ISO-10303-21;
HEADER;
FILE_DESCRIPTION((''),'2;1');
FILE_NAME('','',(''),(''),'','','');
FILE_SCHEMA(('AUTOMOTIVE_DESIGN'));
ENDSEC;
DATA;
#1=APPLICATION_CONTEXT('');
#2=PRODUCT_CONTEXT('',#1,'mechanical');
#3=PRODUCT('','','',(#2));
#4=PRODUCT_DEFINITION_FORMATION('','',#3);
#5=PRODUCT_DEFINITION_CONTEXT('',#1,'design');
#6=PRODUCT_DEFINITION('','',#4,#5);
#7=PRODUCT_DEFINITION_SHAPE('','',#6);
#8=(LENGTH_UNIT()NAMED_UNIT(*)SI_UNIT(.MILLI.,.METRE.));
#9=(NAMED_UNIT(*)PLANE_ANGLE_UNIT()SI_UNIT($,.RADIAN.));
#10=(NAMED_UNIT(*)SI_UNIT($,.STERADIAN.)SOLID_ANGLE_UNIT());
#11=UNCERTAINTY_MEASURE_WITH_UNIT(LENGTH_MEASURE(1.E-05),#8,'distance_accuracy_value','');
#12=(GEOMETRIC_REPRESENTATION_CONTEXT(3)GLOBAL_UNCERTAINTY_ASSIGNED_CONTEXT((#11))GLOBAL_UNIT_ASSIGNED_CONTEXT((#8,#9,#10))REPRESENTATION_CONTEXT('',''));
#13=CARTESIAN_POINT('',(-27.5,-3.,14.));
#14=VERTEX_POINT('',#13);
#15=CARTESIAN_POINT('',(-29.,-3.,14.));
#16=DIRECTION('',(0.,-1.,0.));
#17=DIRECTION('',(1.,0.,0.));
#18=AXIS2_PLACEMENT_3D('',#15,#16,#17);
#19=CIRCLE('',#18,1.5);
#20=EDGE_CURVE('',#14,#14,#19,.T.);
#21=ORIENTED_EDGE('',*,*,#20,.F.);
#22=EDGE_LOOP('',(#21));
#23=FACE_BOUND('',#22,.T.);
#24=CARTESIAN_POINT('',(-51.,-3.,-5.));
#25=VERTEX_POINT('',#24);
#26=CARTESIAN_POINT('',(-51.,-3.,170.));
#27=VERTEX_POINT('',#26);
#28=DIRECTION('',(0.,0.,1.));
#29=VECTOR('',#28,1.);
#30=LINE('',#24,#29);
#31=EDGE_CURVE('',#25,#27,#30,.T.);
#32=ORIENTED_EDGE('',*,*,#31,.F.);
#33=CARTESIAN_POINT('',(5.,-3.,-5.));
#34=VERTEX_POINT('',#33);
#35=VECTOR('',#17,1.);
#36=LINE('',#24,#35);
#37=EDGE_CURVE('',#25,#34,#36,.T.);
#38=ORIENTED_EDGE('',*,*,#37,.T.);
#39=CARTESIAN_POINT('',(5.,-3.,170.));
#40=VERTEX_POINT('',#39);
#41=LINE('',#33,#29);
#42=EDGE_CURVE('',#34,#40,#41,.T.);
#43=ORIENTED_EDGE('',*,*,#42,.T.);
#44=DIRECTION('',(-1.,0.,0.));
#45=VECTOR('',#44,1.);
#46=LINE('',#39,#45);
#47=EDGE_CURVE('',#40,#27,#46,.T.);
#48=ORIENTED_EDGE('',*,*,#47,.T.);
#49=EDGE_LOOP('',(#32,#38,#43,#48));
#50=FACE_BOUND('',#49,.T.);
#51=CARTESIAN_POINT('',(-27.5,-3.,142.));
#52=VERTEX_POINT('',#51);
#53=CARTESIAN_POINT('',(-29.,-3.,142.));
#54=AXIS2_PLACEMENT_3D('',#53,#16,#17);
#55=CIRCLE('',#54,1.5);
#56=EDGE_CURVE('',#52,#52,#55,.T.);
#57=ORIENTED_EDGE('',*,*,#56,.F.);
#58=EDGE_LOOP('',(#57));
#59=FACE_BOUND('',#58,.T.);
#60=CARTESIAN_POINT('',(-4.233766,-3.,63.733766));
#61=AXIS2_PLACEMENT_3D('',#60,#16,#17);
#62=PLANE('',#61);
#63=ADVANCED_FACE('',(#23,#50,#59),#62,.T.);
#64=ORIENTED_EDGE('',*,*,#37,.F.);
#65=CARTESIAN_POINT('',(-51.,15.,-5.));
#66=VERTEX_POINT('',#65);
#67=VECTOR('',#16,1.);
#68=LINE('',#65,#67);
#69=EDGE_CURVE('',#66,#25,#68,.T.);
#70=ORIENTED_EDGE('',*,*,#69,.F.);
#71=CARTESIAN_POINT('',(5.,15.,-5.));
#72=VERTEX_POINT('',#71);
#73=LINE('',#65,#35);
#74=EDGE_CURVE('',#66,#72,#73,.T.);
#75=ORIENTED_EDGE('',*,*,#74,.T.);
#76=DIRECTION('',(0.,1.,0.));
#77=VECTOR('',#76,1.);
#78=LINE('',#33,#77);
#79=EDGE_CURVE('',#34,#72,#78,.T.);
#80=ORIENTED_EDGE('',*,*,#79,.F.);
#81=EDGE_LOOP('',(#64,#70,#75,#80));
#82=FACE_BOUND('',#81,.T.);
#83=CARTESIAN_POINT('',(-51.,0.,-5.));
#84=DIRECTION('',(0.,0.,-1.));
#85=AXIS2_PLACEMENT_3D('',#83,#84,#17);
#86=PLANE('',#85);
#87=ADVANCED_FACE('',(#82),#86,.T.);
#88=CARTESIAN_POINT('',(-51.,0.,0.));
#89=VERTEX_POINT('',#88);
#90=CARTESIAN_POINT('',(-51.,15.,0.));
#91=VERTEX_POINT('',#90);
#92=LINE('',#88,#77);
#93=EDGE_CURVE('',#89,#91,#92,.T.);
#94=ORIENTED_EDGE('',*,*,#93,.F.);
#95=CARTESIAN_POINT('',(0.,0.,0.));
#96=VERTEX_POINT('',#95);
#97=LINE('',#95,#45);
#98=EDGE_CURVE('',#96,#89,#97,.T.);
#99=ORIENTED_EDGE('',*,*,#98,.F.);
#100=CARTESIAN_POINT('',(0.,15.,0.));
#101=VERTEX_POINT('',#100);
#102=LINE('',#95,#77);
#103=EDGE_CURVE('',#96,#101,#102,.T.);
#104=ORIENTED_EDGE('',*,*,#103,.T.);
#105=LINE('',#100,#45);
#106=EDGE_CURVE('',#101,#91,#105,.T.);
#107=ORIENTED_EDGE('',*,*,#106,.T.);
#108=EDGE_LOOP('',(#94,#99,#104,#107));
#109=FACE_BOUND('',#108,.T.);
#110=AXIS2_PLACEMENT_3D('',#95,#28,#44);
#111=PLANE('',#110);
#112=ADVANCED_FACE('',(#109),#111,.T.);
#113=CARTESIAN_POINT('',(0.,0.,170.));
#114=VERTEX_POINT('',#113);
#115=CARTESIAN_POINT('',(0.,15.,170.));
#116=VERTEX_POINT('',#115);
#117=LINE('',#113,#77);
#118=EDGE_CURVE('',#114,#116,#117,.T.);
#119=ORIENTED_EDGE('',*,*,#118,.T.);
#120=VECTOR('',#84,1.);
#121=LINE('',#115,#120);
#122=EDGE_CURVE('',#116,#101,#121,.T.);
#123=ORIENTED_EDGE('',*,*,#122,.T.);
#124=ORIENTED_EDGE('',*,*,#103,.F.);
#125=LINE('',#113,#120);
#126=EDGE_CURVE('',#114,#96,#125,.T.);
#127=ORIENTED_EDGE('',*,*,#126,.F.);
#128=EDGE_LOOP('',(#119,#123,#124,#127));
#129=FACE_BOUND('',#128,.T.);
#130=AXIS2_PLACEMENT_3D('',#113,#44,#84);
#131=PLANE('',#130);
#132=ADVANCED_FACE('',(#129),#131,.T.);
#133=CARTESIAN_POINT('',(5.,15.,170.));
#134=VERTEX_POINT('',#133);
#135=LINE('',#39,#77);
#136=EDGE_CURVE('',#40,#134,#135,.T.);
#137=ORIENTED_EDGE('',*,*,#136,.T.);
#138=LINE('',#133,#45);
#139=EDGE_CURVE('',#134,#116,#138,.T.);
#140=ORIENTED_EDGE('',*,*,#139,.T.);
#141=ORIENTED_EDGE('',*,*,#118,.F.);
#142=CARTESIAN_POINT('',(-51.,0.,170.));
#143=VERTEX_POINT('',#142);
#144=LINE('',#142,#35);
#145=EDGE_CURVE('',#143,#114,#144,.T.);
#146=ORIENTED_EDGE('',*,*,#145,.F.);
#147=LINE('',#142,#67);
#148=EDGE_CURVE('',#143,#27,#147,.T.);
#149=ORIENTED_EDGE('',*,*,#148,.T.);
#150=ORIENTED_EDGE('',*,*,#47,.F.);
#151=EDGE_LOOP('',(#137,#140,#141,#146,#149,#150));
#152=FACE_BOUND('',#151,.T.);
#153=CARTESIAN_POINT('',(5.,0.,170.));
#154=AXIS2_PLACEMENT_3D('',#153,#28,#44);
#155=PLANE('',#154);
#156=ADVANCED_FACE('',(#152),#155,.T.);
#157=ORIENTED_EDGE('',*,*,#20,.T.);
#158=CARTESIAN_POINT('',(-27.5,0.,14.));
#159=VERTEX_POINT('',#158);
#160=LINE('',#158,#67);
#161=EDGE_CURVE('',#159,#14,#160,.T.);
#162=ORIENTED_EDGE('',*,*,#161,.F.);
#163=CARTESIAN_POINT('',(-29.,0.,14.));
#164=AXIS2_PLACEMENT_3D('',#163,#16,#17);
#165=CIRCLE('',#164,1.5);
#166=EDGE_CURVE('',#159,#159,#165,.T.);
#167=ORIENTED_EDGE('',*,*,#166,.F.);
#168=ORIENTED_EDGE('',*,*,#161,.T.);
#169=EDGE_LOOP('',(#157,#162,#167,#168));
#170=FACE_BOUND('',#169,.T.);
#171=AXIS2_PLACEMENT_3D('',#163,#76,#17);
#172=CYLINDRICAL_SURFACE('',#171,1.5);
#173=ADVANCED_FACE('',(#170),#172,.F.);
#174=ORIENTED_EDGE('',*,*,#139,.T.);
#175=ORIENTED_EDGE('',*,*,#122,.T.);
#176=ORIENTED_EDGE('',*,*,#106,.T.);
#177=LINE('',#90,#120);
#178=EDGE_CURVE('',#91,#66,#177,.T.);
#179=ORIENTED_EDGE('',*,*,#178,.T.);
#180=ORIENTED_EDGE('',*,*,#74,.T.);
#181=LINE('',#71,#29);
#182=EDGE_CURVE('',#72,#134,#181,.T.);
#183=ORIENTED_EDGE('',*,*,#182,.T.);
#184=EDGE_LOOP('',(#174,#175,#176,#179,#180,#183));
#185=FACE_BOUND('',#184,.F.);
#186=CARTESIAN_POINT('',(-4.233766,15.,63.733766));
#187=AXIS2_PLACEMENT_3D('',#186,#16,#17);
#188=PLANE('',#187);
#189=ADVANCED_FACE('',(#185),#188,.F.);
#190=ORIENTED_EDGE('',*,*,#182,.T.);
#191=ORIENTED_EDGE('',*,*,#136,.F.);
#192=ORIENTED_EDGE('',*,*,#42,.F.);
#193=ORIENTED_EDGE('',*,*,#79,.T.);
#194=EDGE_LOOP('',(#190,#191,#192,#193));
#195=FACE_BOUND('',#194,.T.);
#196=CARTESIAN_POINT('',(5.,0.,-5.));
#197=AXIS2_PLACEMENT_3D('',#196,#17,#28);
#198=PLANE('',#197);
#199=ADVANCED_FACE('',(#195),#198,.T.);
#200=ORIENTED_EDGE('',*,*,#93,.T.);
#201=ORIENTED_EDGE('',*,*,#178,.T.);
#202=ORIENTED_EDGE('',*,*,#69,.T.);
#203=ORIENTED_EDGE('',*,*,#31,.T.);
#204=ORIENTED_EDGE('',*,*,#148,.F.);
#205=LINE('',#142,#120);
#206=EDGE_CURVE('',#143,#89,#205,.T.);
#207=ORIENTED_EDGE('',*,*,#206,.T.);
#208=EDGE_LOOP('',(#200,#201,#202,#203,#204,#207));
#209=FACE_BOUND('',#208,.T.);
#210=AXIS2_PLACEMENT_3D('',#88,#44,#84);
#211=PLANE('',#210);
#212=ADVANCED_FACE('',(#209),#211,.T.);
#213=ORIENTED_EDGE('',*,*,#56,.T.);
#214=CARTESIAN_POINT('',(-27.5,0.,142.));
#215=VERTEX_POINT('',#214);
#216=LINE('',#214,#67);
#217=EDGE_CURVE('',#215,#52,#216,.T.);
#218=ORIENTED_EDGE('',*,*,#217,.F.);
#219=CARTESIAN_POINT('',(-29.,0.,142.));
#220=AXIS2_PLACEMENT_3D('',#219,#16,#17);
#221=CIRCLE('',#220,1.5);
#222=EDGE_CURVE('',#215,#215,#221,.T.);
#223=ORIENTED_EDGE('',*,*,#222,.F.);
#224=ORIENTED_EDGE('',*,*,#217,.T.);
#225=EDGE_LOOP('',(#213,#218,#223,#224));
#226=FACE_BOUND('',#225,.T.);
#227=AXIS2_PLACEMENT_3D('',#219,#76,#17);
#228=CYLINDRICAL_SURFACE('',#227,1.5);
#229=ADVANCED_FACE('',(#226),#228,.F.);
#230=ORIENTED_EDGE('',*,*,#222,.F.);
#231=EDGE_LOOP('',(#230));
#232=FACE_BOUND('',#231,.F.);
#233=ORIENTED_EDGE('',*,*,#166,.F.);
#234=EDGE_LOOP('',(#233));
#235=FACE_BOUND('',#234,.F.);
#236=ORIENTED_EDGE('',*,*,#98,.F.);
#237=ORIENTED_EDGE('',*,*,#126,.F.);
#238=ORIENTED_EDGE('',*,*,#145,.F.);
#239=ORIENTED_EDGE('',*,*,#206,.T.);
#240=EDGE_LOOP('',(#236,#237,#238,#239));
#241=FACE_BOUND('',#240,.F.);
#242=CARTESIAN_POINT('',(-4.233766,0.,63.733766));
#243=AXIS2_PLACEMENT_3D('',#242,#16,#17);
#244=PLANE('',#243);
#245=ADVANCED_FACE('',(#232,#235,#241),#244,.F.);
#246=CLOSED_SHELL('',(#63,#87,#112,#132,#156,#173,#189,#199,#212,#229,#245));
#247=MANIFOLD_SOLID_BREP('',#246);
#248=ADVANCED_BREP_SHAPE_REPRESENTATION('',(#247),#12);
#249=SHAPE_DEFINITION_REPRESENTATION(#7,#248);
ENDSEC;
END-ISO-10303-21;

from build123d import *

# Parameters (mm, degrees)
F0_W     = 51
F0_H     = 170
F0_R     = 1.5
F1_DEPTH = 3
F2_DEPTH = 3
F3_DEPTH = 15


with BuildPart() as f1:
    # F0 (on Front) → F1 (new body)
    with BuildSketch(Plane.XZ):
        with Locations((-25.5, 85)):
            Rectangle(F0_W, F0_H)
        with Locations((-29, 14)):
            Circle(F0_R, mode=Mode.SUBTRACT)
        with Locations((-29, 142)):
            Circle(F0_R, mode=Mode.SUBTRACT)
    extrude(amount=F1_DEPTH)

    # F0 (on Front) → F2 (join)
    with BuildSketch(Plane.XZ):
        Polygon((0, 170), (0, 0), (-51, 0), (-51, -5), (0, -5), (5, -5), (5, 170), align=None)
    extrude(amount=F2_DEPTH)

    # F0 (on Front) → F3 (join)
    with BuildSketch(Plane.XZ):
        Polygon((0, 170), (0, 0), (-51, 0), (-51, -5), (0, -5), (5, -5), (5, 170), align=None)
    extrude(amount=-F3_DEPTH)


solid = f1.part
